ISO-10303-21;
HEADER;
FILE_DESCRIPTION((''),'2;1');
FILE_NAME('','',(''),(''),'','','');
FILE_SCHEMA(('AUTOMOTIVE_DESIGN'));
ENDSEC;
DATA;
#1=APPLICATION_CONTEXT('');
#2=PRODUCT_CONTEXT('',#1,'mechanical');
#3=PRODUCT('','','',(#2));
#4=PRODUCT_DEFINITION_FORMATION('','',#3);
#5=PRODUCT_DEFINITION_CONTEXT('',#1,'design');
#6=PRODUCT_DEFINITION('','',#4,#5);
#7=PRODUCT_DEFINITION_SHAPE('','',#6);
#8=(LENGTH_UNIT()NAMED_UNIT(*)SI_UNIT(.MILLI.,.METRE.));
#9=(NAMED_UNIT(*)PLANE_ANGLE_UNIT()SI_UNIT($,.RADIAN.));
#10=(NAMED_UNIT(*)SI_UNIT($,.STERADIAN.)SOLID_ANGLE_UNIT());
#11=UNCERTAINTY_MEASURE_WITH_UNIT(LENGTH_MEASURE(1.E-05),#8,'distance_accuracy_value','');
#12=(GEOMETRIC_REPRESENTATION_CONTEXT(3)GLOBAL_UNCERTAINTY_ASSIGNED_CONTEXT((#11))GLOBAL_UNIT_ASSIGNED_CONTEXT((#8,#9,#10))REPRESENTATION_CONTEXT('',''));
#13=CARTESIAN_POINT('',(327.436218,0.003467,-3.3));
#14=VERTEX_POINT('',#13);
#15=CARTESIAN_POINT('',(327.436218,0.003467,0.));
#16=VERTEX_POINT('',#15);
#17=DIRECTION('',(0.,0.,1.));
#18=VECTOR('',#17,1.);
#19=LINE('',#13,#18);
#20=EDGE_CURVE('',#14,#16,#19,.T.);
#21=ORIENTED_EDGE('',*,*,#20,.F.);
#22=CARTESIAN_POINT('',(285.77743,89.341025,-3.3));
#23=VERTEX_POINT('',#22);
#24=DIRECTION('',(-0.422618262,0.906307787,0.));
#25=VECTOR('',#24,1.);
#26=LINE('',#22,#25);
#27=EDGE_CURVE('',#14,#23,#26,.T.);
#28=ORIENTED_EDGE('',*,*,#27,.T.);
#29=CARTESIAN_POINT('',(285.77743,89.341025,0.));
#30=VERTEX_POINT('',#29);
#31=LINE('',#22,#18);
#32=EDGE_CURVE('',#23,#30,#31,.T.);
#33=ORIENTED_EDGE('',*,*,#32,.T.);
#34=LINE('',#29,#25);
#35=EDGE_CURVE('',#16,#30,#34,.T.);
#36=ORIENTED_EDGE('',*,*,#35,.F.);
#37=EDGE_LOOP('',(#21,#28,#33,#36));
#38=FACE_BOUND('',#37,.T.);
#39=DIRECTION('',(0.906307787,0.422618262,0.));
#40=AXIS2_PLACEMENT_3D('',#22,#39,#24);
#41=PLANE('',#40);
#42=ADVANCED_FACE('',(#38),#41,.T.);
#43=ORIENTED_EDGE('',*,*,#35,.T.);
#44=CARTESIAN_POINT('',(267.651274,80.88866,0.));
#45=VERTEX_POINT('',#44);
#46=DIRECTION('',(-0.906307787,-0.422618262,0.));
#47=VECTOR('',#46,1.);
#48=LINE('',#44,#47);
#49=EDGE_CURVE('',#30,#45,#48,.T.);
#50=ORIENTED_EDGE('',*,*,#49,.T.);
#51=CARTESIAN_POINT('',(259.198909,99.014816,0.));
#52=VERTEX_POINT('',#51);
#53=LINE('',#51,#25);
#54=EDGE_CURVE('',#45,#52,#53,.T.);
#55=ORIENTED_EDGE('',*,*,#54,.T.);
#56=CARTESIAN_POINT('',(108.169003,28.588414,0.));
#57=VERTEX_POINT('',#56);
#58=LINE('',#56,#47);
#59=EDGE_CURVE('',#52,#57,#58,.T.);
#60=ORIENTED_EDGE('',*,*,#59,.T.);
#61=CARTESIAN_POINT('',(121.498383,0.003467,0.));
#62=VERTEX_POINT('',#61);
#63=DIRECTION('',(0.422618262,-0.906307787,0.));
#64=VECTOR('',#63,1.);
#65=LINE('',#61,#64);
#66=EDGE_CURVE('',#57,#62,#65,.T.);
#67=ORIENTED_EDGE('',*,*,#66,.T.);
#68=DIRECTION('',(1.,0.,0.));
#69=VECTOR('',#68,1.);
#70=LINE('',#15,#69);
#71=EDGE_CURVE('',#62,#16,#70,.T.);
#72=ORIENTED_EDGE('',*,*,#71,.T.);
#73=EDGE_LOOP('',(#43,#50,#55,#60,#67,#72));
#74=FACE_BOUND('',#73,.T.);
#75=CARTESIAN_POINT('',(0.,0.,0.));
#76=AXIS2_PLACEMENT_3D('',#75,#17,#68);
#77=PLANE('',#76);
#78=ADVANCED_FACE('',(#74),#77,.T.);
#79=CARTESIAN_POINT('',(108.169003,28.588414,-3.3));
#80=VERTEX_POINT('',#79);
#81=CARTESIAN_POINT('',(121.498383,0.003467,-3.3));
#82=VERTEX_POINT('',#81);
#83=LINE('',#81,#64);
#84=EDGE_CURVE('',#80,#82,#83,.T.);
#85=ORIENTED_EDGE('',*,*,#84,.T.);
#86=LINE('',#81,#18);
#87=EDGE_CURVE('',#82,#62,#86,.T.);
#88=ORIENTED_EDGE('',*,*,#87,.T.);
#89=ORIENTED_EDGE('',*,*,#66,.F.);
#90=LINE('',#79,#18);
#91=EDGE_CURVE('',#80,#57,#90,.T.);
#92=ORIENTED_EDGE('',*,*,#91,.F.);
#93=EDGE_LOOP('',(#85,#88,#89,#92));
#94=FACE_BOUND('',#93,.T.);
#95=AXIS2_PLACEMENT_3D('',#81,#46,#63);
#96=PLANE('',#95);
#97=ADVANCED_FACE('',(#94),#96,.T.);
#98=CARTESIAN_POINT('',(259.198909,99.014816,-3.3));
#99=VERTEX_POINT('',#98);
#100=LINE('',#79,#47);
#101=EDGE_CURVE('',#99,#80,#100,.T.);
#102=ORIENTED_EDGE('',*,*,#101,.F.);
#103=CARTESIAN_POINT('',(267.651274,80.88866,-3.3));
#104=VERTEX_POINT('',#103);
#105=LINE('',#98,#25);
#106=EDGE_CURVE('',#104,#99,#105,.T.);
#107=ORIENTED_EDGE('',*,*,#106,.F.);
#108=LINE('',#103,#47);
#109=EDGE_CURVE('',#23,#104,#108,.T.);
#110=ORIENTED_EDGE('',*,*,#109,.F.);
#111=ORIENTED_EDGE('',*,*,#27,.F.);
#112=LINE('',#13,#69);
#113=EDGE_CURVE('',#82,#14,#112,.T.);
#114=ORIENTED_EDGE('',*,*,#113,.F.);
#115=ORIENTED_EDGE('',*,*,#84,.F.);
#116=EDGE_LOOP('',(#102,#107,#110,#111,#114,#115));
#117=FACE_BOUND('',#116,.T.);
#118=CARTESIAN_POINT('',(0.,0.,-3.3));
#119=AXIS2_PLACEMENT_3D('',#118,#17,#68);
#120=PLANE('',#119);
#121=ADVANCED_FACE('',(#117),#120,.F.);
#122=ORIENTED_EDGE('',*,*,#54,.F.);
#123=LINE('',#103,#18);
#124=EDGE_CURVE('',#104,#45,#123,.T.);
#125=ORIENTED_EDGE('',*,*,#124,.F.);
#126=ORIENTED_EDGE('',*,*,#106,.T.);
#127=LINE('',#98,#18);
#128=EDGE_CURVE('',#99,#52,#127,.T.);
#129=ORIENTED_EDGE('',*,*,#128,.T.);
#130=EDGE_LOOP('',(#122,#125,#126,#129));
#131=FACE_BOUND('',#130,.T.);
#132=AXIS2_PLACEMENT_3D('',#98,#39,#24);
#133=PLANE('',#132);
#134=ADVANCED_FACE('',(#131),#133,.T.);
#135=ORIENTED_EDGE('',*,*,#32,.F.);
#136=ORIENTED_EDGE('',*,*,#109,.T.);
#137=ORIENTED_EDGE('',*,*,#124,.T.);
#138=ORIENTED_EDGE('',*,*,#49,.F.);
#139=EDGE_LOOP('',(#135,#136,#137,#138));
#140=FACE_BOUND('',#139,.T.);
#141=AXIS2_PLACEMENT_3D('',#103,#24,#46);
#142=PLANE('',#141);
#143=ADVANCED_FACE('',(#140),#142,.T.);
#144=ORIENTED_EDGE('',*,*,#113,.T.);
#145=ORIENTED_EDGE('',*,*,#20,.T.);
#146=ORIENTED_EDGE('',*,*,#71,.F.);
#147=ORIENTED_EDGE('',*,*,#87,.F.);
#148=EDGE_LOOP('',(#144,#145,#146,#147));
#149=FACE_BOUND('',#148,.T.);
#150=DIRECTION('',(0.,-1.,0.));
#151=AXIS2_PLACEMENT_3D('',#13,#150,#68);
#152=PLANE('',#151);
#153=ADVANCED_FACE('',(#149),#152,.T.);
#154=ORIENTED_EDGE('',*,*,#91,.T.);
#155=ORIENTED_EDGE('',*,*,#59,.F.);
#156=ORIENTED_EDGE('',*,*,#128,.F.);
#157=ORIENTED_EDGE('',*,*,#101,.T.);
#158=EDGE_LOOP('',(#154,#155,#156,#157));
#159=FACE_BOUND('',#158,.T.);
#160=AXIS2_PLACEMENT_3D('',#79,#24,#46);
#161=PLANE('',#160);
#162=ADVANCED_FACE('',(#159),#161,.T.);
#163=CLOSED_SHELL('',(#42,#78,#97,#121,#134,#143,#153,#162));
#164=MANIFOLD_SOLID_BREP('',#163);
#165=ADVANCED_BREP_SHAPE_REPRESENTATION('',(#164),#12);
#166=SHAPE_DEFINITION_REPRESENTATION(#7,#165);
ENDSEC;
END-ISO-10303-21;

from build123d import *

# Parameters (mm, degrees)
BOSS_EXTRUDE1_DEPTH = 3.3


with BuildPart() as part:
    # Sketch1 → Boss-Extrude1 (new body)
    with BuildSketch(Plane.XY):
        Polygon((327.436217585, 0.003466677), (121.498383462, 0.003466677), (108.169003487, 28.58841428), (259.198908878, 99.014815774), (267.651274112, 80.888660034), (285.777429853, 89.341025269), align=None)
    extrude(amount=-BOSS_EXTRUDE1_DEPTH)


solid = part.part
